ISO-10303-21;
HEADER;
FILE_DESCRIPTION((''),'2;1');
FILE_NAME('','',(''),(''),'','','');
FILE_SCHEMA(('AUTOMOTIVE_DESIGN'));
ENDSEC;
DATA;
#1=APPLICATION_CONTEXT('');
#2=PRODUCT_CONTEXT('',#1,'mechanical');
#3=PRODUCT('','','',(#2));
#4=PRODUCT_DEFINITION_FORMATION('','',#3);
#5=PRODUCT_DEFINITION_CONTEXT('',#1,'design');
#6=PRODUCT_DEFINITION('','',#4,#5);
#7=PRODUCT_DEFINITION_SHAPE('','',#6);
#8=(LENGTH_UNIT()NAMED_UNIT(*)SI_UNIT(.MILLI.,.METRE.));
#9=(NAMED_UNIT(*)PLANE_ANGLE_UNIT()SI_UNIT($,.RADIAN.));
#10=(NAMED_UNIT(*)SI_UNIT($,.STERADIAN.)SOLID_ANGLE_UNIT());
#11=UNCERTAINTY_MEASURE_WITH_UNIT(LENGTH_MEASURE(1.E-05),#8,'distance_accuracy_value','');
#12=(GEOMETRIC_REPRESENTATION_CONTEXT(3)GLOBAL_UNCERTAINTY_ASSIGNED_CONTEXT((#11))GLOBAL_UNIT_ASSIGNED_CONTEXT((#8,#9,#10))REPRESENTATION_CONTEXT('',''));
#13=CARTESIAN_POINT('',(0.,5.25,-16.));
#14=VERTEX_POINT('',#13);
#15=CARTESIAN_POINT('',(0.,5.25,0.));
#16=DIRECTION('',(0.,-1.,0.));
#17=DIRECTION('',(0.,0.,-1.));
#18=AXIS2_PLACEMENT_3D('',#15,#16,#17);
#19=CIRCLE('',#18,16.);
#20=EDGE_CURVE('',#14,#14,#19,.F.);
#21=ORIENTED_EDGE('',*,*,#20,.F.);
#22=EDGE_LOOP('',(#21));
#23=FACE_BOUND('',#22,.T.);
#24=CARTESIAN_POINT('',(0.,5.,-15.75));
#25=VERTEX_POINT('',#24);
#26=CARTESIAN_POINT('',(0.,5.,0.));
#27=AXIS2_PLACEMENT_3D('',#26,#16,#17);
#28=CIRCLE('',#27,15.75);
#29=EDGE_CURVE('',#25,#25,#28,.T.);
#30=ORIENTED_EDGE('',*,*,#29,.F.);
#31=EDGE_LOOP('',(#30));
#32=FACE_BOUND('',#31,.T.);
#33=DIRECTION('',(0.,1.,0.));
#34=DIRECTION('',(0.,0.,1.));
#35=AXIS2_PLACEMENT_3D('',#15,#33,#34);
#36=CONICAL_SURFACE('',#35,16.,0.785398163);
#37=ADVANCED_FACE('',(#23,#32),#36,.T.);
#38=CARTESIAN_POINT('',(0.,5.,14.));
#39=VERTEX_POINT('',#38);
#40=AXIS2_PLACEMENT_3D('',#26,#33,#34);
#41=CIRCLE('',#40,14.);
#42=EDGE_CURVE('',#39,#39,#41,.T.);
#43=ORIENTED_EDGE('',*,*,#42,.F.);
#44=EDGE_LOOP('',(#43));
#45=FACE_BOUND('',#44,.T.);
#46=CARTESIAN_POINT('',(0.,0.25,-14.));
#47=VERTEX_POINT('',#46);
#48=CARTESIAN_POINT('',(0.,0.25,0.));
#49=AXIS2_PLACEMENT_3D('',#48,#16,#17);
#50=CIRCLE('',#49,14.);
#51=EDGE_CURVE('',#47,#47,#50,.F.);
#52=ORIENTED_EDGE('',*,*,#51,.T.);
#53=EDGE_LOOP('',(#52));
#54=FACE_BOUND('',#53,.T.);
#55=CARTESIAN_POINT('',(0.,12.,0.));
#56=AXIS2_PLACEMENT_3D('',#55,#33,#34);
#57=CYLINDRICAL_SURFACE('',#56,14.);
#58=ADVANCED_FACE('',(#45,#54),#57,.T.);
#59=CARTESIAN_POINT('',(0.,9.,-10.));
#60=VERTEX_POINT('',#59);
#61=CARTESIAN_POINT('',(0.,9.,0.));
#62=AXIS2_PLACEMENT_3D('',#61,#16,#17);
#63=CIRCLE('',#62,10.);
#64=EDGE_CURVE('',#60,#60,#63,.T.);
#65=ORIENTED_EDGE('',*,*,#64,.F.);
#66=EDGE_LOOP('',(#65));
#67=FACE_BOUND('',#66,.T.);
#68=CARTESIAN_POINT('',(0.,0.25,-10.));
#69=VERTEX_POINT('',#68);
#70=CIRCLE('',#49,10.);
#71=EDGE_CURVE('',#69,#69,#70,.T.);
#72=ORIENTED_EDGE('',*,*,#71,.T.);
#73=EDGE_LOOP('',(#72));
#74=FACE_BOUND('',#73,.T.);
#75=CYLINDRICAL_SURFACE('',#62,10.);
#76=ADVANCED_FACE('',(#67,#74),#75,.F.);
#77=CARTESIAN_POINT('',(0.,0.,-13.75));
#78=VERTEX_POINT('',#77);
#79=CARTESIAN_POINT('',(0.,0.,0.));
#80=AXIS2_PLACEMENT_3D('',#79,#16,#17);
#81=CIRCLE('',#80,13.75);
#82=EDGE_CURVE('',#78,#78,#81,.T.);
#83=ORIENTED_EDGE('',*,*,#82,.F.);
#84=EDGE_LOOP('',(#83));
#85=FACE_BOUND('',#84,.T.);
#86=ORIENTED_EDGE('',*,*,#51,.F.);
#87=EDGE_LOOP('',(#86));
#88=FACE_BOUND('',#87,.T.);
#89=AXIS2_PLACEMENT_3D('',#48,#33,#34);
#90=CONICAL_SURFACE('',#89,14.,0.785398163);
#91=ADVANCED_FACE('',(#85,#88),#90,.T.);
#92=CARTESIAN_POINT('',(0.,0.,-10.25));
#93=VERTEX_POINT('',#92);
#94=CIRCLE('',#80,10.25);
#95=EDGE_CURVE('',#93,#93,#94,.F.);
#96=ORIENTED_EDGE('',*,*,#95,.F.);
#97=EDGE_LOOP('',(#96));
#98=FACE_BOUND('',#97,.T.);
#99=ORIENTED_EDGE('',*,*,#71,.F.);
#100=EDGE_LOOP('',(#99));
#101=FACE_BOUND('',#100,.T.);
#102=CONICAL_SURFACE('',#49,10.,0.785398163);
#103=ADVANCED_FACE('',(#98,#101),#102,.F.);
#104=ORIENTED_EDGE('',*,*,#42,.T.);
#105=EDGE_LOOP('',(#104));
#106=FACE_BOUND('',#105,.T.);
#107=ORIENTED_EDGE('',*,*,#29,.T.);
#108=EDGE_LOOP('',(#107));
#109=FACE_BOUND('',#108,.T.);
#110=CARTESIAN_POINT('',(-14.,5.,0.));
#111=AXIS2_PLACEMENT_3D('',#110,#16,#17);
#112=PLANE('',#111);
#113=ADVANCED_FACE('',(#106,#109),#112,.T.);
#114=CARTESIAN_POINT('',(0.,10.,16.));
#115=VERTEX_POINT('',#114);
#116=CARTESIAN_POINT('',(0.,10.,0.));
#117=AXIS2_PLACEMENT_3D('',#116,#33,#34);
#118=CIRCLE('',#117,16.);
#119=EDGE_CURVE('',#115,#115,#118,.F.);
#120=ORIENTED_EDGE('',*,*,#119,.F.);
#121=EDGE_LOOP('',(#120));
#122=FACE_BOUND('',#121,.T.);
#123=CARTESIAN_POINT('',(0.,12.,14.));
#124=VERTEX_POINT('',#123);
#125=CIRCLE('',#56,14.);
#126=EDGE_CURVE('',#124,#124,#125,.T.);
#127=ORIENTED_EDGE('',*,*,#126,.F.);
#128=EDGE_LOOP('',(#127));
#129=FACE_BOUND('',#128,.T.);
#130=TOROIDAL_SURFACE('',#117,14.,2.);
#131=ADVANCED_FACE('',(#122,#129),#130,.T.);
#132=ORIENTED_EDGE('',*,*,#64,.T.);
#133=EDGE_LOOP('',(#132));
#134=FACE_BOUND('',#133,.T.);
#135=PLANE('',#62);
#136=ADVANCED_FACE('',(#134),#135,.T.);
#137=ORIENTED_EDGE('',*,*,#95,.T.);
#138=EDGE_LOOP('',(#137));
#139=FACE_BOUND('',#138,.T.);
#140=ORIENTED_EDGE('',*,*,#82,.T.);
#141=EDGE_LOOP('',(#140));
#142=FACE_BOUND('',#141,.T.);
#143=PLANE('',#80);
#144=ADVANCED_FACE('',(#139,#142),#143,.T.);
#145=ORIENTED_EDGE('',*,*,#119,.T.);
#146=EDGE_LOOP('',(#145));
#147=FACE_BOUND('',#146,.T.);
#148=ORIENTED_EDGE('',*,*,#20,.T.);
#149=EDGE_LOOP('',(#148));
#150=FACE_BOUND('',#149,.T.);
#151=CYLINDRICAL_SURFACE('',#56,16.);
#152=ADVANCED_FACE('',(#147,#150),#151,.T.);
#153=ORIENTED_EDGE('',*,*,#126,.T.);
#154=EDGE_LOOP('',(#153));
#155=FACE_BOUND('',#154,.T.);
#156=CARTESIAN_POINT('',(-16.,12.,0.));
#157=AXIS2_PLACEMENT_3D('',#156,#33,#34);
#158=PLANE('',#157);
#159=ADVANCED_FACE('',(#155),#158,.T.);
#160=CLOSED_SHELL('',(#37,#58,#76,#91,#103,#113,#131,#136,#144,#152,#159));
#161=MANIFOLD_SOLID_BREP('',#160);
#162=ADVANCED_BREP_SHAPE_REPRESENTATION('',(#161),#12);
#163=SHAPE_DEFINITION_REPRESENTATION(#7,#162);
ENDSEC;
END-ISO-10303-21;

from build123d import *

# Parameters (mm, degrees)
FILLET1_R          = 2
SKETCH2_R          = 10
CUT_EXTRUDE1_DEPTH = 9
CHAMFER1_SIZE      = 0.25
CHAMFER2_SIZE      = 0.25


with BuildPart() as part:
    # Sketch1 → Revolve1 (revolve)
    with BuildSketch(Plane.XY):
        Polygon((0, 0), (-14, 0), (-14, 5), (-16, 5), (-16, 12), (0, 12), align=None)
    revolve(axis=Axis((0, 12, 0), (0, -1, 0)))

    # Fillet1
    fillet1_edges = [part.edges().sort_by_distance(p)[0] for p in [
        (16, 12, 0),
    ]]
    fillet(fillet1_edges, radius=FILLET1_R)

    # Sketch2 → Cut-Extrude1 (cut)
    with BuildSketch(Plane.XZ):
        Circle(SKETCH2_R)
    extrude(amount=-CUT_EXTRUDE1_DEPTH, mode=Mode.SUBTRACT)

    # Chamfer1
    chamfer1_edges = [part.edges().sort_by_distance(p)[0] for p in [
        (-10, 0, 0),
        (14, 0, 0),
    ]]
    chamfer(chamfer1_edges, length=CHAMFER1_SIZE)

    # Chamfer2
    chamfer2_edges = [part.edges().sort_by_distance(p)[0] for p in [
        (16, 5, 0),
    ]]
    chamfer(chamfer2_edges, length=CHAMFER2_SIZE)


solid = part.part
